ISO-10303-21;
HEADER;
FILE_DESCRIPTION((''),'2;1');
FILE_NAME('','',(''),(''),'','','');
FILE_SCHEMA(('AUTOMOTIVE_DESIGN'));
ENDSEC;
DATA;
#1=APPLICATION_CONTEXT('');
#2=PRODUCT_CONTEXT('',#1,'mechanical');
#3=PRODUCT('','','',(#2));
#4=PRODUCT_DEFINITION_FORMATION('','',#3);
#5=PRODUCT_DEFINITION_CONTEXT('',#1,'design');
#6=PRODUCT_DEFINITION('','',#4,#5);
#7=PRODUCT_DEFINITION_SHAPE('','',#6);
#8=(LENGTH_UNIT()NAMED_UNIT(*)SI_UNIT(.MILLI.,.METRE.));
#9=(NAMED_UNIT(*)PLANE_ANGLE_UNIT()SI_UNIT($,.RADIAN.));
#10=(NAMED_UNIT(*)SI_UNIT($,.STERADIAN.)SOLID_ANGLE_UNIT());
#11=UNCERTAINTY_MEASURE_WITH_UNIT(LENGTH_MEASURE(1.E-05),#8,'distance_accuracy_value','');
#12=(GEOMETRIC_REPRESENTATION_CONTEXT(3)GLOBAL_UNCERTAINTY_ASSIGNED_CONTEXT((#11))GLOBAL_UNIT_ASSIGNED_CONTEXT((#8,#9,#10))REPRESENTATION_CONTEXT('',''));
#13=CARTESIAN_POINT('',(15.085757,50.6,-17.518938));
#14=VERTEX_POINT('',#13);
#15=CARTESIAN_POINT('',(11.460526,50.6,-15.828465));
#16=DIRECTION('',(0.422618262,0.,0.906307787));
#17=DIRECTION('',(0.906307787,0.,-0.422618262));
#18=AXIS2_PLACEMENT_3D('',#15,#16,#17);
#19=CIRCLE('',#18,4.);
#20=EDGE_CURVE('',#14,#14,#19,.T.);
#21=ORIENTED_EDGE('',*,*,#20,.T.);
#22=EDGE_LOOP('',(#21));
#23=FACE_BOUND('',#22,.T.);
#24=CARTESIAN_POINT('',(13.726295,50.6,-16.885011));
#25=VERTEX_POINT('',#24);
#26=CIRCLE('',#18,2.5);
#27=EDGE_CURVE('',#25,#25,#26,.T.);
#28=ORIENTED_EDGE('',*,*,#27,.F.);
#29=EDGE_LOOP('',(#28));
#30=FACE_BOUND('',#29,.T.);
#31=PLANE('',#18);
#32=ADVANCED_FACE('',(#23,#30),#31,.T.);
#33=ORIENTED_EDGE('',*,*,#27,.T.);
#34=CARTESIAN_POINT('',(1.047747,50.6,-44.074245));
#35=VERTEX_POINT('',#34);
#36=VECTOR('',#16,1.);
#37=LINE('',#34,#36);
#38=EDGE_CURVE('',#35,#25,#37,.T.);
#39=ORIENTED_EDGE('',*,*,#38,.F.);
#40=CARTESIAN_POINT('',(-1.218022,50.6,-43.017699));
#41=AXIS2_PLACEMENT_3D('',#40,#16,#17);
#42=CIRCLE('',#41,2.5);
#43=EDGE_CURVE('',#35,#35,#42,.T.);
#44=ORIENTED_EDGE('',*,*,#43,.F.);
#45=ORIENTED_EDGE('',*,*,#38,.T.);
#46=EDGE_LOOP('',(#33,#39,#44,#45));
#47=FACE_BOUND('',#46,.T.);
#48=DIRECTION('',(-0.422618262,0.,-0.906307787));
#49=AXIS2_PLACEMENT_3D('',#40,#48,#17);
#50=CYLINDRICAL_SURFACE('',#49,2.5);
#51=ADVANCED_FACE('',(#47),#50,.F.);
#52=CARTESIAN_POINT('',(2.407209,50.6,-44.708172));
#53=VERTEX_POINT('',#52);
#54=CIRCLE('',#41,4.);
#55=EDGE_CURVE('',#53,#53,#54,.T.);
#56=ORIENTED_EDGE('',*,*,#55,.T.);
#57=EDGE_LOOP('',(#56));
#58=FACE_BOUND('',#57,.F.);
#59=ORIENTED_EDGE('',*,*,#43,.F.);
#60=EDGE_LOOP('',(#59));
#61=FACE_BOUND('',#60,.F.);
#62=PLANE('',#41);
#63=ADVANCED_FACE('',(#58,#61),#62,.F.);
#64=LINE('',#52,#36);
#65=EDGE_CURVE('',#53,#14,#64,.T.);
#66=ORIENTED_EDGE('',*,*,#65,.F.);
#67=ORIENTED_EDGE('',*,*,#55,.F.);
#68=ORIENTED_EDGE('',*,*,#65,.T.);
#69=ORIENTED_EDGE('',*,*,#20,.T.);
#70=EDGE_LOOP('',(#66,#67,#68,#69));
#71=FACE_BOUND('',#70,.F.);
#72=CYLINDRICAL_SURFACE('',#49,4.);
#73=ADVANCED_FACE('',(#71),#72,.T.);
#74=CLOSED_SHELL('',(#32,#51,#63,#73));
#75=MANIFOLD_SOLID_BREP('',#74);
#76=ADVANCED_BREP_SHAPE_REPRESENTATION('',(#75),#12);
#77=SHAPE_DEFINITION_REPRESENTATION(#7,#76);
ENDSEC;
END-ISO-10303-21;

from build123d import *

# Parameters (mm, degrees)
CYLINDER054_R          = 2.5
CYLINDER054_DEPTH      = 30
CYLINDER053_R          = 4
CYLINDER053_DEPTH      = 30
CUT056_PLACEMENT_ANGLE = 25


with BuildPart() as cylinder054:
    # Cylinder054 → Cylinder054 (new body)
    with BuildSketch(Plane.XY):
        Circle(CYLINDER054_R)
    extrude(amount=CYLINDER054_DEPTH)


with BuildPart() as flextube:
    # Cylinder053 → Cylinder053 (new body)
    with BuildSketch(Plane.XY):
        Circle(CYLINDER053_R)
    extrude(amount=CYLINDER053_DEPTH)

    # Cut056: cut Cylinder054
    add(cylinder054.part, mode=Mode.SUBTRACT)


with BuildPart() as flextube_1:
    # Cut056 placement: moved
    add(flextube.part.moved(Location((-1.218022, 50.6, -43.017699))).rotate(Axis((-1.218022, 50.6, -43.017699), (0, 1, 0)), CUT056_PLACEMENT_ANGLE))


solid = flextube_1.part
